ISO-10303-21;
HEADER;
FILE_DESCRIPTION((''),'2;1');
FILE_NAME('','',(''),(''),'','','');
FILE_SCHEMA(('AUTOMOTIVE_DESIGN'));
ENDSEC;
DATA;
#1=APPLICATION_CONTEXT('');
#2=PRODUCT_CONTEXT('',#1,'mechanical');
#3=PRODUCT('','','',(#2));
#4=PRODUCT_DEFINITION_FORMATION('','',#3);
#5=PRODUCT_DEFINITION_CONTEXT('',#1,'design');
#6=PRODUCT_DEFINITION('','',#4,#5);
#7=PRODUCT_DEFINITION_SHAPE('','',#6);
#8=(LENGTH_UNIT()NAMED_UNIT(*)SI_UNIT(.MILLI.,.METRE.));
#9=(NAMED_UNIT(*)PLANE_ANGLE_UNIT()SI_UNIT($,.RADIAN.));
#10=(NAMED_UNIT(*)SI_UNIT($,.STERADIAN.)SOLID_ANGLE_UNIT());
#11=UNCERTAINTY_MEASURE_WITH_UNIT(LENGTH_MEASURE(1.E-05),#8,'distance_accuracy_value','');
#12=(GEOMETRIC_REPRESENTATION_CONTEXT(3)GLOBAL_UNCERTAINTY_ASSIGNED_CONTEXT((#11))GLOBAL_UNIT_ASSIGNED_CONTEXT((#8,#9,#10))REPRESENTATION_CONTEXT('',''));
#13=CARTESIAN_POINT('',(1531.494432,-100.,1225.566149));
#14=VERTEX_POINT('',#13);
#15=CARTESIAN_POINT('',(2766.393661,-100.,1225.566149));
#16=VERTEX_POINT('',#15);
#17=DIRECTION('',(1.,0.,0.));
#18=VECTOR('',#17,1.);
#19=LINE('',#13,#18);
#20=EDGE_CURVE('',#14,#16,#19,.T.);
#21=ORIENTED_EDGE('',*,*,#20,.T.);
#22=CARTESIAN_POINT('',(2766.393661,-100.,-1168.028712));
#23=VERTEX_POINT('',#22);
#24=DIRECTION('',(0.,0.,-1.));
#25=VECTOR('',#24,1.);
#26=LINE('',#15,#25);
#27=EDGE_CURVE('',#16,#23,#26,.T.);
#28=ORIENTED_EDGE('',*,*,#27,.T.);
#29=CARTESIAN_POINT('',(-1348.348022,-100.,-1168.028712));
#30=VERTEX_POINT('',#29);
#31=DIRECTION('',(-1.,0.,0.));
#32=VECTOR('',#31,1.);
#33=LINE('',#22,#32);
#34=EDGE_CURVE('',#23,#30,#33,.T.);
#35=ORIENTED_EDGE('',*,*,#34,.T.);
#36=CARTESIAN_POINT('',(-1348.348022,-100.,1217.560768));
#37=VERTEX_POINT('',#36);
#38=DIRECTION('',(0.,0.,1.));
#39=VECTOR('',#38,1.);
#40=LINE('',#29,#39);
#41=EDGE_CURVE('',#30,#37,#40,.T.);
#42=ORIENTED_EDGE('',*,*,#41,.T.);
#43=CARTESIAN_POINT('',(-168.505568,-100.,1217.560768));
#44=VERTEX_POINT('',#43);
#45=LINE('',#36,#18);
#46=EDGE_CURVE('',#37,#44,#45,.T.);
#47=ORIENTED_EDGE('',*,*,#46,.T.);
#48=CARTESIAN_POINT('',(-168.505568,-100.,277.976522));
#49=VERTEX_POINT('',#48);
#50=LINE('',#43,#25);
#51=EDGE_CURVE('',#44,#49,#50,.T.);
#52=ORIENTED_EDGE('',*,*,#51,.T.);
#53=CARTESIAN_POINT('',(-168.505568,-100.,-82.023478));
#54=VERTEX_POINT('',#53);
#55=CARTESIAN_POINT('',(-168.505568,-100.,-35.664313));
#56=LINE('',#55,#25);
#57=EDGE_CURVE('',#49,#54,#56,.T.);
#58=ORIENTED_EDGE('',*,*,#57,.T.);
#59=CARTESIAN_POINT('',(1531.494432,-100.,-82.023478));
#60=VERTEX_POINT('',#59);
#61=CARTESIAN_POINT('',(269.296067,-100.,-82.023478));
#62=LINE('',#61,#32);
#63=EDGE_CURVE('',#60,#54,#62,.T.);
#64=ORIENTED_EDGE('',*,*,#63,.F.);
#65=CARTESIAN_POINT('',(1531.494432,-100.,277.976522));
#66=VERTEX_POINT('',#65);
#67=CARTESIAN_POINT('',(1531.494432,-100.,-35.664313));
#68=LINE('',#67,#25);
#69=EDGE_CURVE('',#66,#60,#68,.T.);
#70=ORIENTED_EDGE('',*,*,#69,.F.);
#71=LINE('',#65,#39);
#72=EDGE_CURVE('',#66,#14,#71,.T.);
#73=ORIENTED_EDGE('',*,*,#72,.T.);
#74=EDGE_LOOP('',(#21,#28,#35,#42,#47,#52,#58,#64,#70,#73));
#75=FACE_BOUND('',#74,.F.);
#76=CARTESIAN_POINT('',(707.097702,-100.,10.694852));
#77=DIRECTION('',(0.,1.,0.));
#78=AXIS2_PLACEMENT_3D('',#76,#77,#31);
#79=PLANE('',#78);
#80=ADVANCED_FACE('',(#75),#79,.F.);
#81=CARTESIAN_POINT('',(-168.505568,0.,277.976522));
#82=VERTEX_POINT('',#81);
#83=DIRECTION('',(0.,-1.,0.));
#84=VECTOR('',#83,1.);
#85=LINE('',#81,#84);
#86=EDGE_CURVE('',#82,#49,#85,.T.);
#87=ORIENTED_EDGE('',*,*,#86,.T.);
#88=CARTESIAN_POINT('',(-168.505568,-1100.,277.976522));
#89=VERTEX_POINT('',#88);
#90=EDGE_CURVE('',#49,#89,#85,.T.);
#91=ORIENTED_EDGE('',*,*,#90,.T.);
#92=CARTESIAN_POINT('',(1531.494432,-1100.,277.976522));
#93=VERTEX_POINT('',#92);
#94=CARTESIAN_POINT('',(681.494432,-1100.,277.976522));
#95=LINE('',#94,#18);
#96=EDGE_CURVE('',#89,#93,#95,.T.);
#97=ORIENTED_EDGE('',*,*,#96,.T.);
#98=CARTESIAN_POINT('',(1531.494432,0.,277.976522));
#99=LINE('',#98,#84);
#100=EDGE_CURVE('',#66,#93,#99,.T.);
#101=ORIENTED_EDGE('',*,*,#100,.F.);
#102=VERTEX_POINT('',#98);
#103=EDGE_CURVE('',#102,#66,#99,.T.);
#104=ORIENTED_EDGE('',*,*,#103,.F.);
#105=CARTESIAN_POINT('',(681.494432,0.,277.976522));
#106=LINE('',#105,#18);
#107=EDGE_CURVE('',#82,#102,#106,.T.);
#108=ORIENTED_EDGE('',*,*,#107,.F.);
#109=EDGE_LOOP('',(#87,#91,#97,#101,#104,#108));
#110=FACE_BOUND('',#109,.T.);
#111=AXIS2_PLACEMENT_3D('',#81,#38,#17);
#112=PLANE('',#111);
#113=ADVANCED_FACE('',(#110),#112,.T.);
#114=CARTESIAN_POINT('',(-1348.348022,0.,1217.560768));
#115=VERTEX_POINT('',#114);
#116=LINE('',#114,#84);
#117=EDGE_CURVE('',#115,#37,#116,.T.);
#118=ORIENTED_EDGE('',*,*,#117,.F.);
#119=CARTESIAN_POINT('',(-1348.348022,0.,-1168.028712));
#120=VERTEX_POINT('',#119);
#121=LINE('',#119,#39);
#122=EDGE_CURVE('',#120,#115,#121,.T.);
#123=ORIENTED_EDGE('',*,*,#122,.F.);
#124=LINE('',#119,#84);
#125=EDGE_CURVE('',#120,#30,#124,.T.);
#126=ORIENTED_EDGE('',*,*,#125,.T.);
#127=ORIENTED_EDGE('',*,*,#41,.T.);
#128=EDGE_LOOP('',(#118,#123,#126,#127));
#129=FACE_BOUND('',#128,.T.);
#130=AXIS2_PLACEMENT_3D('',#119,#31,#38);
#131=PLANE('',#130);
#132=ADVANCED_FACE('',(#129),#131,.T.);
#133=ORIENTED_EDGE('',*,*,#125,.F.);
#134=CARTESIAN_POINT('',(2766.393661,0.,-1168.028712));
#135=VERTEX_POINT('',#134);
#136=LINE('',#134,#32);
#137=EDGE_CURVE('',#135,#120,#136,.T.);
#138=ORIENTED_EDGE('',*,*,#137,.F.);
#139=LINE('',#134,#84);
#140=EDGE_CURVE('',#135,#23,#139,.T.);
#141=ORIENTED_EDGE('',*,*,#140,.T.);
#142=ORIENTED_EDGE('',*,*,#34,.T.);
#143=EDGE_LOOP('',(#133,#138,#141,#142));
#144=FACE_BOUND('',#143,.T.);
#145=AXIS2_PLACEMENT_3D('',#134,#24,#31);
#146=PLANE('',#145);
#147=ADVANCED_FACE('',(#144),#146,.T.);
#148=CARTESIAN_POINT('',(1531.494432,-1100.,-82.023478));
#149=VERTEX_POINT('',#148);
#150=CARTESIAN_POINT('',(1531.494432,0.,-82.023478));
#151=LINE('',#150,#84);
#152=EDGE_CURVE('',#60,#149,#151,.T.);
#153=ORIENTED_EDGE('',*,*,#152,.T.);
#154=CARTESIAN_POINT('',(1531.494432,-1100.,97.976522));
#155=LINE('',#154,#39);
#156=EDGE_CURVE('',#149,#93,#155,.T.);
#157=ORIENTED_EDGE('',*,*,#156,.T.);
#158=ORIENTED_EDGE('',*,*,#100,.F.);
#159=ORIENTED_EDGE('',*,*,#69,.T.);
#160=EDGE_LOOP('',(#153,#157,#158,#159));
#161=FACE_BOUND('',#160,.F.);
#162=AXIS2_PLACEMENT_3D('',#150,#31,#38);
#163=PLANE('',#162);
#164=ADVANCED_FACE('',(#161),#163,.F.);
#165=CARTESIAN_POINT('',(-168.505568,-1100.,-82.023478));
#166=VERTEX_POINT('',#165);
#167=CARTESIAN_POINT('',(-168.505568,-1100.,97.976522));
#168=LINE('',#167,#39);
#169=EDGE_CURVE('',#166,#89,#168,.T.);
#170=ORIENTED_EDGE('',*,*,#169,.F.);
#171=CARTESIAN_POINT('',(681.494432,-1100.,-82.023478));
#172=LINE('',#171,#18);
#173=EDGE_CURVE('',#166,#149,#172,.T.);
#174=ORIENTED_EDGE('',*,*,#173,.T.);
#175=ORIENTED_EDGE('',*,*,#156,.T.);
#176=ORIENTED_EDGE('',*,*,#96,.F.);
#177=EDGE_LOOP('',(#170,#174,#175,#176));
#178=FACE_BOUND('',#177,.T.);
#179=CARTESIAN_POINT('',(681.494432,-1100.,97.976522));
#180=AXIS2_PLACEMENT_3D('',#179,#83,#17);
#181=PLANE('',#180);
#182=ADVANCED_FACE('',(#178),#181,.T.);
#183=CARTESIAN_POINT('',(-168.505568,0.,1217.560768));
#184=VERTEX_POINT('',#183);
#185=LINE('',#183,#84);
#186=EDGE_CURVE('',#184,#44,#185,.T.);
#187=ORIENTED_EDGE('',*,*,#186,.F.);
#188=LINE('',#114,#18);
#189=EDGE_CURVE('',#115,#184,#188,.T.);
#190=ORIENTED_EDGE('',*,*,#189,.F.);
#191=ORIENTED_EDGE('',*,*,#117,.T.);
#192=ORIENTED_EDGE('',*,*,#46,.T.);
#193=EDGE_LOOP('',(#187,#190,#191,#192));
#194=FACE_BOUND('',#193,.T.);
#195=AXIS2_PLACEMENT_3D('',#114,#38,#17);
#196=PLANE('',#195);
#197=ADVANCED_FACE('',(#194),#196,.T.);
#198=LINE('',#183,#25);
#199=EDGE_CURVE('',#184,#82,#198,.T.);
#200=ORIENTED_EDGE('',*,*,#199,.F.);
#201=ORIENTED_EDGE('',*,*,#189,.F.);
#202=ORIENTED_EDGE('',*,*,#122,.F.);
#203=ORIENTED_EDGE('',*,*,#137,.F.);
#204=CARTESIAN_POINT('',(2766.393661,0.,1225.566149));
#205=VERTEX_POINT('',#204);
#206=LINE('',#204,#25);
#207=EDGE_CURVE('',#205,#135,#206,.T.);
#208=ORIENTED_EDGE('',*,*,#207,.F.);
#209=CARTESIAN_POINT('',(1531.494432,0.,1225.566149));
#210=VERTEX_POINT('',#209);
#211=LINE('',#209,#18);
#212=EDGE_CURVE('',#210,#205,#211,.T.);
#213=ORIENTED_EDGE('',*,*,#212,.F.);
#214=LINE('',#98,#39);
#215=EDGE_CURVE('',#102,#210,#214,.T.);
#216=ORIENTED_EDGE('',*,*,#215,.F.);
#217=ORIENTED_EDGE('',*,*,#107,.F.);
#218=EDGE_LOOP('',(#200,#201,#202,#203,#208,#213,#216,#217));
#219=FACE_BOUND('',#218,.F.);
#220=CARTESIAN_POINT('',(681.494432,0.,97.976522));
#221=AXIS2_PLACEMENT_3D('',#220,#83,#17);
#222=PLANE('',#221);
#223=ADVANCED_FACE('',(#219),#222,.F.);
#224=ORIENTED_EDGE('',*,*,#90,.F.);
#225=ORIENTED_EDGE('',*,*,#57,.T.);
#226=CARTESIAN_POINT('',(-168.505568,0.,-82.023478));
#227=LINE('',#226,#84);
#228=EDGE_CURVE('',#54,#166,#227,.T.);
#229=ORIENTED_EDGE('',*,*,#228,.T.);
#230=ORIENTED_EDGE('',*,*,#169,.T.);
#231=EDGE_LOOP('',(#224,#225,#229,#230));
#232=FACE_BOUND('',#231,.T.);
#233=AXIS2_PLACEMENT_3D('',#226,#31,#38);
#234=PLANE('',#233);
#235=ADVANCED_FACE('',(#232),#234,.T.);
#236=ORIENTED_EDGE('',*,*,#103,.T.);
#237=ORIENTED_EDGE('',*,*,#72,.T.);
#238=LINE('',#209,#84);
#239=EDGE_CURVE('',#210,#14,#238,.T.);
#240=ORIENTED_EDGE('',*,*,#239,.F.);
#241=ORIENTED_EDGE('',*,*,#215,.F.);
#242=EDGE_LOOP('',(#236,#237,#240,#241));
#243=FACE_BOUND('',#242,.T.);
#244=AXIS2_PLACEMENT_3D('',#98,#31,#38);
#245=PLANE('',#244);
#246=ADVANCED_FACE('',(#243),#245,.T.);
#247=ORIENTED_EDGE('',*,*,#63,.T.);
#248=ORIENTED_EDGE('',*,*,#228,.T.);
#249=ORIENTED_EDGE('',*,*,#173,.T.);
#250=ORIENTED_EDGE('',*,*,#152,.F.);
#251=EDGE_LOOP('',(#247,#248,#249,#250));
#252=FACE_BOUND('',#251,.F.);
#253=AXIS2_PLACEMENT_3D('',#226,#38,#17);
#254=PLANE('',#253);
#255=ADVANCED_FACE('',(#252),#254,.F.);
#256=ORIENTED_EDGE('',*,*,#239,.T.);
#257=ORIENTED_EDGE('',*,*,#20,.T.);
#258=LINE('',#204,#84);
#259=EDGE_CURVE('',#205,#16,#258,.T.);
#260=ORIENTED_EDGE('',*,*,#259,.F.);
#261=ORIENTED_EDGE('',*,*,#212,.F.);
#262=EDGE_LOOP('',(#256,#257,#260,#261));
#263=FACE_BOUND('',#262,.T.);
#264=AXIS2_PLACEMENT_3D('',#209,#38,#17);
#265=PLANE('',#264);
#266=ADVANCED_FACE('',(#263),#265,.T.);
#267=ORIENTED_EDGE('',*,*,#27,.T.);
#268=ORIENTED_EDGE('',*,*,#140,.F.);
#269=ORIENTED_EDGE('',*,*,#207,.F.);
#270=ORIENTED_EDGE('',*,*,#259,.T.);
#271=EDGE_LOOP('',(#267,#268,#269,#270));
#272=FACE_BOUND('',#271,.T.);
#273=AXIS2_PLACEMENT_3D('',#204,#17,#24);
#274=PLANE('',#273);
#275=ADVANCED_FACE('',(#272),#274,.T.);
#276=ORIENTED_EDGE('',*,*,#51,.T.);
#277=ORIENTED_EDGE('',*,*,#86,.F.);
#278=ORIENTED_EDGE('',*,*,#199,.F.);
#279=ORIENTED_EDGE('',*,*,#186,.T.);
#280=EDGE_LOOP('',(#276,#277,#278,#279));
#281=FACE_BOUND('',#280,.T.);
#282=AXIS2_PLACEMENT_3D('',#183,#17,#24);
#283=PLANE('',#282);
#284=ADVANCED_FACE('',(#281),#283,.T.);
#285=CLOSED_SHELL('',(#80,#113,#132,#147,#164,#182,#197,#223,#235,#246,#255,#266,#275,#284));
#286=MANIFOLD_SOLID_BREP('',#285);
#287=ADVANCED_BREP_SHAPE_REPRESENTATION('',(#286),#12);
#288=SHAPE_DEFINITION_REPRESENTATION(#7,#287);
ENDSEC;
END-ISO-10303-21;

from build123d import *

# Parameters (mm, degrees)
F0_W     = 1700
F0_H     = 360
F1_DEPTH = 1100
F3_DEPTH = 100


with BuildPart() as f1:
    # F0 (on Front) → F1 (new body)
    with BuildSketch(Plane.XZ):
        with Locations((681.494432, 97.976522)):
            Rectangle(F0_W, F0_H)
    extrude(amount=F1_DEPTH)

    # F2 (on face) → F3 (join)
    with BuildSketch(Plane(origin=(0, 0, 0), x_dir=(-1, 0, 0), z_dir=(0, 1, 0))):
        Polygon((168.505568, 277.976522), (-1531.494432, 277.976522), (-1531.494432, 1225.566149), (-2766.393661, 1225.566149), (-2766.393661, 277.976522), (-2766.393661, -82.023478), (-2766.393661, -1168.028712), (1348.348022, -1168.028712), (1348.348022, -82.023478), (1348.348022, 277.976522), (1348.348022, 1217.560768), (168.505568, 1217.560768), align=None)
    extrude(amount=-F3_DEPTH)


solid = f1.part
